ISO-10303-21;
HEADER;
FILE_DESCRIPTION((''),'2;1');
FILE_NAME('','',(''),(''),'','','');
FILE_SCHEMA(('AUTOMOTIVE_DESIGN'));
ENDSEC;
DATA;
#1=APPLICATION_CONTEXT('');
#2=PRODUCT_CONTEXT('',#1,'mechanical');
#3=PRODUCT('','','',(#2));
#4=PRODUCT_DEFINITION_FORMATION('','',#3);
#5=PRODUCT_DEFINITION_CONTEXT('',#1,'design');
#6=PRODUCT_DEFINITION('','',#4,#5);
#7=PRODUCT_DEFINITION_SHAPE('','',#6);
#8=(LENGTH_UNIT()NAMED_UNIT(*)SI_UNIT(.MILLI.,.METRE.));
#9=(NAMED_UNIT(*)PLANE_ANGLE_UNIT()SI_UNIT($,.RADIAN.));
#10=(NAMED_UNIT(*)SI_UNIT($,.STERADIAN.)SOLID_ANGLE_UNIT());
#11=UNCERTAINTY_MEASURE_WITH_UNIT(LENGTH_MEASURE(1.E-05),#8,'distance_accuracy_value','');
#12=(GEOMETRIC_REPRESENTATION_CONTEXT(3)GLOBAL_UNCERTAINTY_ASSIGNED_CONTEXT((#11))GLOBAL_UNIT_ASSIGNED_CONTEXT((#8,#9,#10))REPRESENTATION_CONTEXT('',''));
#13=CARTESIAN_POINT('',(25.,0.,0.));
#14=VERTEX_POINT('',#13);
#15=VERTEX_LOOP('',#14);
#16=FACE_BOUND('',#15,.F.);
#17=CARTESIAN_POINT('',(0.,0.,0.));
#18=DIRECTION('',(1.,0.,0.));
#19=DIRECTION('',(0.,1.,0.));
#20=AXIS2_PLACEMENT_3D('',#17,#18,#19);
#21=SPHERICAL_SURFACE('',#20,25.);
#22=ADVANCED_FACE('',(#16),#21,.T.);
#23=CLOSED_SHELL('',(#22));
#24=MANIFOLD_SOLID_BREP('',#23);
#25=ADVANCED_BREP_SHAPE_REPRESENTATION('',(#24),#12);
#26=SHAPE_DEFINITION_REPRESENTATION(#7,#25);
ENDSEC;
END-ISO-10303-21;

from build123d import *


with BuildPart() as part:
    # Esboço2 → Revolução1 (revolve)
    with BuildSketch(Plane.XY):
        with BuildLine():
            Line((25, 0), (-25, 0))
            ThreePointArc((-25, 0), (0, 25), (25, 0))
        make_face()
    revolve(axis=Axis((25, 0, 0), (-1, 0, 0)))


solid = part.part
